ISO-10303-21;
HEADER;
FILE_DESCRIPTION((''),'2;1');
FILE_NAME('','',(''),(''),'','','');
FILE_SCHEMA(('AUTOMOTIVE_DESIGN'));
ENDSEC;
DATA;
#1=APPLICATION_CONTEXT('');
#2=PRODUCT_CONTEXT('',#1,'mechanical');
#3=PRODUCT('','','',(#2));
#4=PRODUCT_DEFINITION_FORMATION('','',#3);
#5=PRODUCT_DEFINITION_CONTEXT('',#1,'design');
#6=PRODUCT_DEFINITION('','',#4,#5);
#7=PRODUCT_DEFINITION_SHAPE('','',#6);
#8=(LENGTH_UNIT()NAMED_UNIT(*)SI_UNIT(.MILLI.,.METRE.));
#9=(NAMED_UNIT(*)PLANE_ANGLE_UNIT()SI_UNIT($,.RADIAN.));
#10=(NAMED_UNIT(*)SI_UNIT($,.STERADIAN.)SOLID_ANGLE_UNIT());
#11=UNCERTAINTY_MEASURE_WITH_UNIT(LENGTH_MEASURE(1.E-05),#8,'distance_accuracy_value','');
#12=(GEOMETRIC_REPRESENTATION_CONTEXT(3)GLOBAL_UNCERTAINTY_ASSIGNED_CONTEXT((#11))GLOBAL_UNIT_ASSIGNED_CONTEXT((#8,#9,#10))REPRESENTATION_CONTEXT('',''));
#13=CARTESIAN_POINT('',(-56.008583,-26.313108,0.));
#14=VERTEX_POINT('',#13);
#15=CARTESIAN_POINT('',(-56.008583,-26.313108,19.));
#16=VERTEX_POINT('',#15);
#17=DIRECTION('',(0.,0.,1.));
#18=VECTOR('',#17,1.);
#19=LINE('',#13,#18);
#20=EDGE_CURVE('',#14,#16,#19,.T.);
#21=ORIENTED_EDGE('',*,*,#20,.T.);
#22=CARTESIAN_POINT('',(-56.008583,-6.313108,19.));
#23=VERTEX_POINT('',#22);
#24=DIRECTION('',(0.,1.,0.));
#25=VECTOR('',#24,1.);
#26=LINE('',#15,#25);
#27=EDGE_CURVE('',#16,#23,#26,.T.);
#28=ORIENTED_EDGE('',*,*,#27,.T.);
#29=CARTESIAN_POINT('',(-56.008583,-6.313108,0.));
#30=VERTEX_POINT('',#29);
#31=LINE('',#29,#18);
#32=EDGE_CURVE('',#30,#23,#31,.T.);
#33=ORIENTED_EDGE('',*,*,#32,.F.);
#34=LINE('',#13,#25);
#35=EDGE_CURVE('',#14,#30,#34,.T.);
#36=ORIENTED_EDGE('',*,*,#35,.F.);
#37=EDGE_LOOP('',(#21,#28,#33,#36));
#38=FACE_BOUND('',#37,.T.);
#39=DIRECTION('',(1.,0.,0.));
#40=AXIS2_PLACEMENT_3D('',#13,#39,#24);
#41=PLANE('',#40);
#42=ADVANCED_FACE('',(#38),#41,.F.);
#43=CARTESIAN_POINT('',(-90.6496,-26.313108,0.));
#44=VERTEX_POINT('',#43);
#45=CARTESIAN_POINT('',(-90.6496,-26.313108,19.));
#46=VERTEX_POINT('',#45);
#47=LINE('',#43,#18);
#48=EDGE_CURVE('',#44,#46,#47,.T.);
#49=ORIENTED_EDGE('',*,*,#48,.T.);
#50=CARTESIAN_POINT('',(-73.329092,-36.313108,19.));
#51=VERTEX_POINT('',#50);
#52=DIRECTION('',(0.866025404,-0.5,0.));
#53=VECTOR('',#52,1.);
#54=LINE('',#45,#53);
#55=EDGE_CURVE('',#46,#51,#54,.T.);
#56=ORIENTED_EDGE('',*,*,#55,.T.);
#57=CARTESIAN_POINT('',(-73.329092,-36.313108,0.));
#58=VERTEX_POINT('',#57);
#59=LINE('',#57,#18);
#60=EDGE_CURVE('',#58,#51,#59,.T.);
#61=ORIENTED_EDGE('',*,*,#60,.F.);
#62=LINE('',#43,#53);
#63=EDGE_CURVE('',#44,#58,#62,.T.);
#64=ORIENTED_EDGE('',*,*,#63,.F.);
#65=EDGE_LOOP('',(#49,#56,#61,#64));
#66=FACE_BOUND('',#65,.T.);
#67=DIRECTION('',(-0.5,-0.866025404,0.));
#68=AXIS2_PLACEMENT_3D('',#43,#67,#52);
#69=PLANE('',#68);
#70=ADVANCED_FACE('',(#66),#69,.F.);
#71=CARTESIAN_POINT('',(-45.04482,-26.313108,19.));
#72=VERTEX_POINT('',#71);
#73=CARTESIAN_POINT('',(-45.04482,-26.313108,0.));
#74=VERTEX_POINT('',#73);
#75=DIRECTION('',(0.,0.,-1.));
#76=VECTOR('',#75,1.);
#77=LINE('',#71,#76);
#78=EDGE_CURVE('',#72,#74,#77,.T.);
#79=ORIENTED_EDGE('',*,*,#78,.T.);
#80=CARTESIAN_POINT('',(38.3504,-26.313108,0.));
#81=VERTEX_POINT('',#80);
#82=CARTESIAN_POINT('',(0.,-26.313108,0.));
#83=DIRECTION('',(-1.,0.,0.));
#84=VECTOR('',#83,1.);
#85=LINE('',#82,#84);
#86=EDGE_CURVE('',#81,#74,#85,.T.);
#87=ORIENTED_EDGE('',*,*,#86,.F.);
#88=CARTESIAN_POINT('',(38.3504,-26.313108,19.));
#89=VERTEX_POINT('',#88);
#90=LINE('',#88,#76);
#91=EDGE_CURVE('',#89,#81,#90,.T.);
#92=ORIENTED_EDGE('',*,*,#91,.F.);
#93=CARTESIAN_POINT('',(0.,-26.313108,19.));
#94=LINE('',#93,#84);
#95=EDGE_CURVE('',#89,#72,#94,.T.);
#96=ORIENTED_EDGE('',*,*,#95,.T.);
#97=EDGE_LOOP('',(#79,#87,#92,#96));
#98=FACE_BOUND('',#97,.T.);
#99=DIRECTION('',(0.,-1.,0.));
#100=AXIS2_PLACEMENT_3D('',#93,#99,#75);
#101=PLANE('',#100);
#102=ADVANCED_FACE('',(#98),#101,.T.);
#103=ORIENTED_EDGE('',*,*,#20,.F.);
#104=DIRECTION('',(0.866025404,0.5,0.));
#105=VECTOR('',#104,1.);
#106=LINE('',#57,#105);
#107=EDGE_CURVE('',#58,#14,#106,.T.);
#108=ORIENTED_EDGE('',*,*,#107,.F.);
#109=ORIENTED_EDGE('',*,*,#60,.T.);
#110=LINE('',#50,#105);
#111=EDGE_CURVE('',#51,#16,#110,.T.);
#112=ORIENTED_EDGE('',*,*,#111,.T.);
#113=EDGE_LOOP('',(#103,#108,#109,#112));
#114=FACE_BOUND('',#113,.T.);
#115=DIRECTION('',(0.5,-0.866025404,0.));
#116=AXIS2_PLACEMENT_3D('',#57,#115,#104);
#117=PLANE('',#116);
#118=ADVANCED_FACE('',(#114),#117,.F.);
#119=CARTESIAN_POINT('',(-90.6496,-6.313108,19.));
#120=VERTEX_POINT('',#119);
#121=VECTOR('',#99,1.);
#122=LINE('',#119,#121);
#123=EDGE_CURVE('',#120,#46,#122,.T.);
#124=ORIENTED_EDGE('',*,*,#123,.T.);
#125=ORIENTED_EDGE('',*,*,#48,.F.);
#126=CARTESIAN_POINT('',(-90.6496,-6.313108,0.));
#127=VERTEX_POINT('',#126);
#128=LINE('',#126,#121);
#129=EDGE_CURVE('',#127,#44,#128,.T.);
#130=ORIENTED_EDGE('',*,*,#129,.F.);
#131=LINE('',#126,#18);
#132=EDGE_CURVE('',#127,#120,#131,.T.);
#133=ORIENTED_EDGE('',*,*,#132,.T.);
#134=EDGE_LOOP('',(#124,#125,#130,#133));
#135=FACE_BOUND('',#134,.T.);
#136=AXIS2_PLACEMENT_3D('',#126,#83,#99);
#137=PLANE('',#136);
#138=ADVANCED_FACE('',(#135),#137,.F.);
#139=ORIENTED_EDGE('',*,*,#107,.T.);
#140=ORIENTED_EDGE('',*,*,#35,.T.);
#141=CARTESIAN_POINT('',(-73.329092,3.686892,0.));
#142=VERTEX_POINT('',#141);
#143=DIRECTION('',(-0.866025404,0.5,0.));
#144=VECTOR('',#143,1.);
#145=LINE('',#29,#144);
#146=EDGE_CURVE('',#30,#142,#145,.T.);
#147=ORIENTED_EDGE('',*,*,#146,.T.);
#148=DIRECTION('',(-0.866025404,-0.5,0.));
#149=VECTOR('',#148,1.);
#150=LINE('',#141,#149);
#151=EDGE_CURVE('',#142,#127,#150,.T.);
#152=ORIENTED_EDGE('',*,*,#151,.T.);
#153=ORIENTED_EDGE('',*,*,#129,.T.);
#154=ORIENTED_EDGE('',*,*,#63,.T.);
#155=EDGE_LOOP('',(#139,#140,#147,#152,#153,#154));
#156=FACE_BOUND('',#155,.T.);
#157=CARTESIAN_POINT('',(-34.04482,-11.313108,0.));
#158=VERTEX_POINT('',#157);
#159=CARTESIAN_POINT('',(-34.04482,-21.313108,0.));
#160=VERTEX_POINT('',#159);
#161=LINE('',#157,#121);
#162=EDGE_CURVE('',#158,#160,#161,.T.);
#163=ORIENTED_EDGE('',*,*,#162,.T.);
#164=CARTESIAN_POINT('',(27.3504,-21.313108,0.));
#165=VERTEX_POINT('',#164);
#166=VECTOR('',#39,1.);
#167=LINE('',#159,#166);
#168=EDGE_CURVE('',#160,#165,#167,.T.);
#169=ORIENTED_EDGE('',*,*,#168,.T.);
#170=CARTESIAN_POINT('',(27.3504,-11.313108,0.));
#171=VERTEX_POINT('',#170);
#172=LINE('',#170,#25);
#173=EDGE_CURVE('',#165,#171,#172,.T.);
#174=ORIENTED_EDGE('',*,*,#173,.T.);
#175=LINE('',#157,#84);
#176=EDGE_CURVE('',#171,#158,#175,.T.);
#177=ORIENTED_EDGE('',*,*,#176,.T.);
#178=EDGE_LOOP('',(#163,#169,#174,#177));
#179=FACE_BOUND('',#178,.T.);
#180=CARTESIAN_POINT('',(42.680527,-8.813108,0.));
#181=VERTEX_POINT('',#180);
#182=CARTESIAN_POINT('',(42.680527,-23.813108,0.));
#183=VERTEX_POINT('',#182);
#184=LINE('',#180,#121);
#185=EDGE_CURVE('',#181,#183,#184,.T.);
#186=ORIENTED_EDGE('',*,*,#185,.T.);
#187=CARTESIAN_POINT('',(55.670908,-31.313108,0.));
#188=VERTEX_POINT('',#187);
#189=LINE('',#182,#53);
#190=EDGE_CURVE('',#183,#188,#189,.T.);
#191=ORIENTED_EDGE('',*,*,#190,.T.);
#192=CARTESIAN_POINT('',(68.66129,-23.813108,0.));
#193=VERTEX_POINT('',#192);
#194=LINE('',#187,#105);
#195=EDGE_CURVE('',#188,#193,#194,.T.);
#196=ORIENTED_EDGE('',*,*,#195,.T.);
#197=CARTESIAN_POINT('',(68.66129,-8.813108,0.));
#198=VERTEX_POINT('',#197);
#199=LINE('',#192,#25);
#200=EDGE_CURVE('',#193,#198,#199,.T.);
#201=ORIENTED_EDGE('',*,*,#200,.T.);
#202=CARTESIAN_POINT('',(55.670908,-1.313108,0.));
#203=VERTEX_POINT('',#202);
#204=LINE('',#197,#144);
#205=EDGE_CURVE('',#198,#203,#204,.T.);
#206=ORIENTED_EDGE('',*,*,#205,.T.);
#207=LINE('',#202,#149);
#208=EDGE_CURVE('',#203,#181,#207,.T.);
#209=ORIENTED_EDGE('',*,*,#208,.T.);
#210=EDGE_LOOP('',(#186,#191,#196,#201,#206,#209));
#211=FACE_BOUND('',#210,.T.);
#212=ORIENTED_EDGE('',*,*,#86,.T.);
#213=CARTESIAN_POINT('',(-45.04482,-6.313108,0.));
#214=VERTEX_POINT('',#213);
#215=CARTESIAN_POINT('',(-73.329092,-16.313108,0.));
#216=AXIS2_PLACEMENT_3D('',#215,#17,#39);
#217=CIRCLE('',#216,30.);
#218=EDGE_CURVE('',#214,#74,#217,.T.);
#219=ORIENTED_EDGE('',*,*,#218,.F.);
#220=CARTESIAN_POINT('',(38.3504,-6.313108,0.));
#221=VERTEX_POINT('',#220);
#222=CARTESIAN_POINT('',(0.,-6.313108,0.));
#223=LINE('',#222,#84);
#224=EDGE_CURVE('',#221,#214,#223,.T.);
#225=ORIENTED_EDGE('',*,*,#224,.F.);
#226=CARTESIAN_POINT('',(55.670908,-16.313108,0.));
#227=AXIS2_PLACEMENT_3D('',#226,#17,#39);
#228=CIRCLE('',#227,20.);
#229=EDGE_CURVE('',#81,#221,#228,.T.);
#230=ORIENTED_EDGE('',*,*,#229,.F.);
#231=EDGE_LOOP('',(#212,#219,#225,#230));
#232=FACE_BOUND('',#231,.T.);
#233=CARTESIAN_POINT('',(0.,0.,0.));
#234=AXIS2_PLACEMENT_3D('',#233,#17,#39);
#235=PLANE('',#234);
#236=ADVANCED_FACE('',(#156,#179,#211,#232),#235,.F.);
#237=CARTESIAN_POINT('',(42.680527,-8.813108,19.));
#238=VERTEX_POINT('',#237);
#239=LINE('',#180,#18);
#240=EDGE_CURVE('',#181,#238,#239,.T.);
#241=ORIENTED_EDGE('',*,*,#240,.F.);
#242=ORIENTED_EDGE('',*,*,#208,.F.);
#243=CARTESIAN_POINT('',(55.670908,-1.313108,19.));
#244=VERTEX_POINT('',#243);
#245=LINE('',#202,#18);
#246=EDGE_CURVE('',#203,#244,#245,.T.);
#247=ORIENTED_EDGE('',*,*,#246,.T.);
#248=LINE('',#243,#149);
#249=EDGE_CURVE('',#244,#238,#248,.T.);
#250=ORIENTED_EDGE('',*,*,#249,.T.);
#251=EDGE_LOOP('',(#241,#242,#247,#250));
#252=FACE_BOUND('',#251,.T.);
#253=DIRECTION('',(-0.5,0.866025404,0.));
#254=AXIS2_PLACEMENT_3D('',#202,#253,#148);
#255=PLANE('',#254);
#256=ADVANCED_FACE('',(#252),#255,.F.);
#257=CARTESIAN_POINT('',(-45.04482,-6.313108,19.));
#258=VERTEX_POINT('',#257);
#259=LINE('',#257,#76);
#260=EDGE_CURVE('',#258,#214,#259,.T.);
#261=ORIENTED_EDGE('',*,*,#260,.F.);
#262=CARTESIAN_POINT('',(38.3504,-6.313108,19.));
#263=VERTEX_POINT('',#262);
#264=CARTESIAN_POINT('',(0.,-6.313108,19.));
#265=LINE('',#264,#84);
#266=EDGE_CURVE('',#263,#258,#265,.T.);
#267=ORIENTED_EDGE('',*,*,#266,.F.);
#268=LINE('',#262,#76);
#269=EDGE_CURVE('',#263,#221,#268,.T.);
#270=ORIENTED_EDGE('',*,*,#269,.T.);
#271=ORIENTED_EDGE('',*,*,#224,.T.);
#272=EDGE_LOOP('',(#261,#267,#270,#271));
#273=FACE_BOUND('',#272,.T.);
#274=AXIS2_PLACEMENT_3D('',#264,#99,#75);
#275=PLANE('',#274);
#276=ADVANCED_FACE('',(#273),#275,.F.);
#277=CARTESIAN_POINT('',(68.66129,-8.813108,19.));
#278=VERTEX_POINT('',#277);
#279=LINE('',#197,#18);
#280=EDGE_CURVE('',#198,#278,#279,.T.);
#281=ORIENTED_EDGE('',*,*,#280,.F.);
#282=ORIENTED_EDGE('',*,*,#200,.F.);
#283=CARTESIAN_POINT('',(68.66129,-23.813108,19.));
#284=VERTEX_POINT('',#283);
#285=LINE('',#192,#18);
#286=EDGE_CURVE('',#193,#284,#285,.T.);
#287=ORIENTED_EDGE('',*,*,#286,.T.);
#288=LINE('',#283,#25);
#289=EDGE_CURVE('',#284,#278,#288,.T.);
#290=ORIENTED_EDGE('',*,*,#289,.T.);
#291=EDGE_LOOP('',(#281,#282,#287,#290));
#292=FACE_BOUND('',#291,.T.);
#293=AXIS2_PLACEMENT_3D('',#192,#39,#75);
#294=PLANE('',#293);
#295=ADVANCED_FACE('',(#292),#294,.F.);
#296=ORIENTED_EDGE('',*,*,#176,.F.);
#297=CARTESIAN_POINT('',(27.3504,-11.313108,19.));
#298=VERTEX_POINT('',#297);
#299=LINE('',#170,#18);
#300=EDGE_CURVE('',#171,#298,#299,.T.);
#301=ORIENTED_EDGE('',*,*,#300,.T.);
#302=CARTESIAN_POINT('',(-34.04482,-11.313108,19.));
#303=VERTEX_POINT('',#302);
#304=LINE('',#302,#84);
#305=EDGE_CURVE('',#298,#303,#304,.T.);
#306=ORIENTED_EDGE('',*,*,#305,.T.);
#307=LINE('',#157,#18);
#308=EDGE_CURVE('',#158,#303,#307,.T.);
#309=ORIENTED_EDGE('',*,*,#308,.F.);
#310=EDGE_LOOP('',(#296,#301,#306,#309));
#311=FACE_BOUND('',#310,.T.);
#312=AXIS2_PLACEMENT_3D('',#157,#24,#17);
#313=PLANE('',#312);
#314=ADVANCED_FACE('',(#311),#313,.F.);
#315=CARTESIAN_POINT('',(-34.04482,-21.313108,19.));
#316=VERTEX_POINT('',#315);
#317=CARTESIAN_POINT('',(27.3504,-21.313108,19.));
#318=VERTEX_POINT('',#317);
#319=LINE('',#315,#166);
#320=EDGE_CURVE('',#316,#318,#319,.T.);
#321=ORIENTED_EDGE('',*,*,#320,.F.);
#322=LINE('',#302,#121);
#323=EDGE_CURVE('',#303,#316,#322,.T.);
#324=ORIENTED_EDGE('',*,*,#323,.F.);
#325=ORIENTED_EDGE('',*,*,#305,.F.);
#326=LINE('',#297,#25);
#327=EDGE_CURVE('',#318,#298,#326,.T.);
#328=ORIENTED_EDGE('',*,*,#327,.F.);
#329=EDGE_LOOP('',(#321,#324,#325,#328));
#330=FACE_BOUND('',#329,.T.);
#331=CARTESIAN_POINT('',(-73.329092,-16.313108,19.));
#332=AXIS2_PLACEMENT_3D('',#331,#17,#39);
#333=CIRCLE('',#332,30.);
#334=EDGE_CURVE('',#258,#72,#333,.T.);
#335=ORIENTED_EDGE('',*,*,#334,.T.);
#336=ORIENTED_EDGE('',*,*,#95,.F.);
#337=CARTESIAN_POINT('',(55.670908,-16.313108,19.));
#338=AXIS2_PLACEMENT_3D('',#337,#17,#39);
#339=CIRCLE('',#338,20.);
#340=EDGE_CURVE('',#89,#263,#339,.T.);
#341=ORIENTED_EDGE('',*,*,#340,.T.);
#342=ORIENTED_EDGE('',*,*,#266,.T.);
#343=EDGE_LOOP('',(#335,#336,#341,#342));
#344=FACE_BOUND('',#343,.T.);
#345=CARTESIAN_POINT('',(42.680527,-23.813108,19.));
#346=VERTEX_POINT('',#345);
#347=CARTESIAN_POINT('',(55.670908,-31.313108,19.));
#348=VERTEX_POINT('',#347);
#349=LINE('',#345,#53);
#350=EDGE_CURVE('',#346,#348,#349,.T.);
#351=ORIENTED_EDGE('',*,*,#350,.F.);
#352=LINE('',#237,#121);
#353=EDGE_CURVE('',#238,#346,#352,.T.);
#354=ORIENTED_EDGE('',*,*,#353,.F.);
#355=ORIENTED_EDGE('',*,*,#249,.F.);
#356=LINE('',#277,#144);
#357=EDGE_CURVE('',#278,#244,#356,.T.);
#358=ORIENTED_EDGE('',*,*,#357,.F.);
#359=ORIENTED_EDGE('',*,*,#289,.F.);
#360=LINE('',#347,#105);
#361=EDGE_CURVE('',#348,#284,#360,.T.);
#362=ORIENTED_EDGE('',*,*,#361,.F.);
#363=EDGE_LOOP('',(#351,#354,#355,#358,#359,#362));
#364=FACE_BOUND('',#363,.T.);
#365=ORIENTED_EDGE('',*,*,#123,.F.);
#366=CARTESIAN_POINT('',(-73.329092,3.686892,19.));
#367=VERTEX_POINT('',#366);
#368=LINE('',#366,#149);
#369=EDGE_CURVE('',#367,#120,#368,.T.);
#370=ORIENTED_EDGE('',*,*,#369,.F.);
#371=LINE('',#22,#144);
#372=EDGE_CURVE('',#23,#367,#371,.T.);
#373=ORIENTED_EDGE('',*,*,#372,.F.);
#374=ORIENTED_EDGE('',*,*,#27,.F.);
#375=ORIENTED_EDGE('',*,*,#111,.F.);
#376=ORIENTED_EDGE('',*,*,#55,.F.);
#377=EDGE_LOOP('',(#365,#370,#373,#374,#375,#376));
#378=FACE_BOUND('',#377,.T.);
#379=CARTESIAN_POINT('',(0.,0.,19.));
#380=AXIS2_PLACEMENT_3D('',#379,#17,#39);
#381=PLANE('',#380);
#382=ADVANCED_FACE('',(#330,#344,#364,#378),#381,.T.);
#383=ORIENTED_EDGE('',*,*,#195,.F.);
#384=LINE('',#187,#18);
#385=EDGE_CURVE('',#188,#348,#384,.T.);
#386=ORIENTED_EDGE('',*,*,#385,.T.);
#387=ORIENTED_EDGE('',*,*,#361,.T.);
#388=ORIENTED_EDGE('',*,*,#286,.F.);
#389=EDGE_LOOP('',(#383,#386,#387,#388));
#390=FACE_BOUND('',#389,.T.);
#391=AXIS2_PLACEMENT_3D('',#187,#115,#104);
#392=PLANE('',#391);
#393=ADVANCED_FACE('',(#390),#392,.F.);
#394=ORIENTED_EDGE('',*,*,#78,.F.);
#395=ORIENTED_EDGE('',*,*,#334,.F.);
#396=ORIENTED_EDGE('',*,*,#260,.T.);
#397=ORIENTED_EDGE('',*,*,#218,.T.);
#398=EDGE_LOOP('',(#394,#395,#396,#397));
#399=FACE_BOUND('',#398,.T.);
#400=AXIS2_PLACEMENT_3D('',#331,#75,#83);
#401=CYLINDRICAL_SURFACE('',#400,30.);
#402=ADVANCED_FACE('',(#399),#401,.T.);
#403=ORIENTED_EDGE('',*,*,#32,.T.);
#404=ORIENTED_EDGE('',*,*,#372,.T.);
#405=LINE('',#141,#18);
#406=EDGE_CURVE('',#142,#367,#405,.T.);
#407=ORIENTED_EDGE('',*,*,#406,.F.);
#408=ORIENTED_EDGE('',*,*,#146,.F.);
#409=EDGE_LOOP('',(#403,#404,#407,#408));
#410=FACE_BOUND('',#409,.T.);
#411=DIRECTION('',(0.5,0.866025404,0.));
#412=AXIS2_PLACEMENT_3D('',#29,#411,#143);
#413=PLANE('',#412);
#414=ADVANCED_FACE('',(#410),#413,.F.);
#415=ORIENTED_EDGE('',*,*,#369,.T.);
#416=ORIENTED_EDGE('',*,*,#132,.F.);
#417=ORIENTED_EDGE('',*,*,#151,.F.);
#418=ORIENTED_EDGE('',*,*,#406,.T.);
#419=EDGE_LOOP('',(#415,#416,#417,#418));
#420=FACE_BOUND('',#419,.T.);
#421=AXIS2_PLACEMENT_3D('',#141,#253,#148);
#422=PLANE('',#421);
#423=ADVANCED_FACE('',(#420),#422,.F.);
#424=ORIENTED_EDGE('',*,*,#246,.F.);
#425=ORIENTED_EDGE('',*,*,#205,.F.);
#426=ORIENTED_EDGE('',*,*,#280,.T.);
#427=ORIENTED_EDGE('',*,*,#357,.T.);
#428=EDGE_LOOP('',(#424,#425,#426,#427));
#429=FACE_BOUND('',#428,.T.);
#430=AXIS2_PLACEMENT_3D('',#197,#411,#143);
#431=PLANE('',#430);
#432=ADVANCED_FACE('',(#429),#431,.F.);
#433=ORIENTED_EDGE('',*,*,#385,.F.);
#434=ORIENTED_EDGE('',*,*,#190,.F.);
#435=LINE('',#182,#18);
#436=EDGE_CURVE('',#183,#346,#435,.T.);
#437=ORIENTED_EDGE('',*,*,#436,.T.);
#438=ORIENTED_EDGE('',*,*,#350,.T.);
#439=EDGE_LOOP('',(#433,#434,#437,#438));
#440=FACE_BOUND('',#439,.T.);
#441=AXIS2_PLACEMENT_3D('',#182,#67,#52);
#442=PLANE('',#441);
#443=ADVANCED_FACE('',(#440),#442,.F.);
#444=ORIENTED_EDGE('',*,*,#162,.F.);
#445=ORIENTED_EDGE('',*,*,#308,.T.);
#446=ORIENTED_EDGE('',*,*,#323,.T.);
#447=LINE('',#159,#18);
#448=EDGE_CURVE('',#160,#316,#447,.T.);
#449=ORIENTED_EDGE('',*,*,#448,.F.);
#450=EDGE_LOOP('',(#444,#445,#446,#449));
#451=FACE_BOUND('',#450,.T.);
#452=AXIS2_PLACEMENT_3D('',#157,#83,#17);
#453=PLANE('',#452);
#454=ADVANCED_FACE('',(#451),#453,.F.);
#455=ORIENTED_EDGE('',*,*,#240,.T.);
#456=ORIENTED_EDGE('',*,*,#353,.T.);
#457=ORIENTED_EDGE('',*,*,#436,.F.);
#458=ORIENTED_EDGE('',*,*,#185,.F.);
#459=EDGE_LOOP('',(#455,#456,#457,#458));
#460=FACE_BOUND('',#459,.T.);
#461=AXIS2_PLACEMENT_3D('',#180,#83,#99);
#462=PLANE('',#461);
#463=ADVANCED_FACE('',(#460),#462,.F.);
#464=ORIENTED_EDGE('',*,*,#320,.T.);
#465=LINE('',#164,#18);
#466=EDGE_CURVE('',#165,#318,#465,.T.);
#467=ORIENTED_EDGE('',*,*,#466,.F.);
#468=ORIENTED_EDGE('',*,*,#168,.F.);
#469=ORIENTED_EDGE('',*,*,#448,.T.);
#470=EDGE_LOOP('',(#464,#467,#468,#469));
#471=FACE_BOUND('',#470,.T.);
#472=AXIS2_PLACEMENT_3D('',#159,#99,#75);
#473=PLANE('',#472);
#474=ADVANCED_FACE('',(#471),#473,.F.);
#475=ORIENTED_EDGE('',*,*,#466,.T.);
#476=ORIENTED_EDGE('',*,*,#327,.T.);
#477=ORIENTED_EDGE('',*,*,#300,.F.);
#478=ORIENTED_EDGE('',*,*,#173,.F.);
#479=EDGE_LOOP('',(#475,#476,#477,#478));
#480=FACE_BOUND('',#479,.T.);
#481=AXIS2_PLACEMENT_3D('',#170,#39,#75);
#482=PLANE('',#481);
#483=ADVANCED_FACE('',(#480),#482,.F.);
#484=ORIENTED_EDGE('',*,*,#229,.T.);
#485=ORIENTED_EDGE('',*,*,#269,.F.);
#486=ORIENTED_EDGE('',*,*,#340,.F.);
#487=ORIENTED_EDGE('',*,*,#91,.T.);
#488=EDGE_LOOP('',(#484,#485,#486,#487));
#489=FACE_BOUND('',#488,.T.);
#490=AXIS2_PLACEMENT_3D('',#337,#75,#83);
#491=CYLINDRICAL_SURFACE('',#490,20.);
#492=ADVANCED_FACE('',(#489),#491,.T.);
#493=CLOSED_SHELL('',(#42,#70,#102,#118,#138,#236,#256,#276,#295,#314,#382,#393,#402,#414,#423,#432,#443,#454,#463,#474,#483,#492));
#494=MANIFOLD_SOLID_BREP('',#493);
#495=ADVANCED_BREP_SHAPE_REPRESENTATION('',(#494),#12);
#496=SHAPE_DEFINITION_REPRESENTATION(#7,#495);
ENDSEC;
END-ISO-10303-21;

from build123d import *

# Parameters (mm, degrees)
BOSS_EXTRUDE4_DEPTH = 19
SKETCH3_W           = 61.395220677
SKETCH3_H           = 10
CUT_EXTRUDE2_DEPTH  = 19


with BuildPart() as part:
    # Sketch1 → Boss-Extrude4 (new body)
    with BuildSketch(Plane.XY):
        with BuildLine():
            Line((-45.044820263, -26.313108204), (38.350400414, -26.313108204))
            ThreePointArc((38.350400414, -26.313108204), (75.67090849, -16.313108204), (38.350400414, -6.313108204))
            Line((38.350400414, -6.313108204), (-45.044820263, -6.313108204))
            ThreePointArc((-45.044820263, -6.313108204), (-103.32909151, -16.313108204), (-45.044820263, -26.313108204))
        make_face()
    extrude(amount=BOSS_EXTRUDE4_DEPTH)

    # Sketch3 → Cut-Extrude2 (cut)
    with BuildSketch(Plane.XY.offset(19)):
        Polygon((-73.32909151, 3.686891796), (-90.649599586, -6.313108204), (-90.649599586, -26.313108204), (-73.32909151, -36.313108204), (-56.008583435, -26.313108204), (-56.008583435, -6.313108204), align=None)
        Polygon((55.67090849, -1.313108204), (42.680527433, -8.813108204), (42.680527433, -23.813108204), (55.67090849, -31.313108204), (68.661289547, -23.813108204), (68.661289547, -8.813108204), align=None)
        with Locations((-3.347209925, -16.313108204)):
            Rectangle(SKETCH3_W, SKETCH3_H)
    extrude(amount=-CUT_EXTRUDE2_DEPTH, mode=Mode.SUBTRACT)


solid = part.part
